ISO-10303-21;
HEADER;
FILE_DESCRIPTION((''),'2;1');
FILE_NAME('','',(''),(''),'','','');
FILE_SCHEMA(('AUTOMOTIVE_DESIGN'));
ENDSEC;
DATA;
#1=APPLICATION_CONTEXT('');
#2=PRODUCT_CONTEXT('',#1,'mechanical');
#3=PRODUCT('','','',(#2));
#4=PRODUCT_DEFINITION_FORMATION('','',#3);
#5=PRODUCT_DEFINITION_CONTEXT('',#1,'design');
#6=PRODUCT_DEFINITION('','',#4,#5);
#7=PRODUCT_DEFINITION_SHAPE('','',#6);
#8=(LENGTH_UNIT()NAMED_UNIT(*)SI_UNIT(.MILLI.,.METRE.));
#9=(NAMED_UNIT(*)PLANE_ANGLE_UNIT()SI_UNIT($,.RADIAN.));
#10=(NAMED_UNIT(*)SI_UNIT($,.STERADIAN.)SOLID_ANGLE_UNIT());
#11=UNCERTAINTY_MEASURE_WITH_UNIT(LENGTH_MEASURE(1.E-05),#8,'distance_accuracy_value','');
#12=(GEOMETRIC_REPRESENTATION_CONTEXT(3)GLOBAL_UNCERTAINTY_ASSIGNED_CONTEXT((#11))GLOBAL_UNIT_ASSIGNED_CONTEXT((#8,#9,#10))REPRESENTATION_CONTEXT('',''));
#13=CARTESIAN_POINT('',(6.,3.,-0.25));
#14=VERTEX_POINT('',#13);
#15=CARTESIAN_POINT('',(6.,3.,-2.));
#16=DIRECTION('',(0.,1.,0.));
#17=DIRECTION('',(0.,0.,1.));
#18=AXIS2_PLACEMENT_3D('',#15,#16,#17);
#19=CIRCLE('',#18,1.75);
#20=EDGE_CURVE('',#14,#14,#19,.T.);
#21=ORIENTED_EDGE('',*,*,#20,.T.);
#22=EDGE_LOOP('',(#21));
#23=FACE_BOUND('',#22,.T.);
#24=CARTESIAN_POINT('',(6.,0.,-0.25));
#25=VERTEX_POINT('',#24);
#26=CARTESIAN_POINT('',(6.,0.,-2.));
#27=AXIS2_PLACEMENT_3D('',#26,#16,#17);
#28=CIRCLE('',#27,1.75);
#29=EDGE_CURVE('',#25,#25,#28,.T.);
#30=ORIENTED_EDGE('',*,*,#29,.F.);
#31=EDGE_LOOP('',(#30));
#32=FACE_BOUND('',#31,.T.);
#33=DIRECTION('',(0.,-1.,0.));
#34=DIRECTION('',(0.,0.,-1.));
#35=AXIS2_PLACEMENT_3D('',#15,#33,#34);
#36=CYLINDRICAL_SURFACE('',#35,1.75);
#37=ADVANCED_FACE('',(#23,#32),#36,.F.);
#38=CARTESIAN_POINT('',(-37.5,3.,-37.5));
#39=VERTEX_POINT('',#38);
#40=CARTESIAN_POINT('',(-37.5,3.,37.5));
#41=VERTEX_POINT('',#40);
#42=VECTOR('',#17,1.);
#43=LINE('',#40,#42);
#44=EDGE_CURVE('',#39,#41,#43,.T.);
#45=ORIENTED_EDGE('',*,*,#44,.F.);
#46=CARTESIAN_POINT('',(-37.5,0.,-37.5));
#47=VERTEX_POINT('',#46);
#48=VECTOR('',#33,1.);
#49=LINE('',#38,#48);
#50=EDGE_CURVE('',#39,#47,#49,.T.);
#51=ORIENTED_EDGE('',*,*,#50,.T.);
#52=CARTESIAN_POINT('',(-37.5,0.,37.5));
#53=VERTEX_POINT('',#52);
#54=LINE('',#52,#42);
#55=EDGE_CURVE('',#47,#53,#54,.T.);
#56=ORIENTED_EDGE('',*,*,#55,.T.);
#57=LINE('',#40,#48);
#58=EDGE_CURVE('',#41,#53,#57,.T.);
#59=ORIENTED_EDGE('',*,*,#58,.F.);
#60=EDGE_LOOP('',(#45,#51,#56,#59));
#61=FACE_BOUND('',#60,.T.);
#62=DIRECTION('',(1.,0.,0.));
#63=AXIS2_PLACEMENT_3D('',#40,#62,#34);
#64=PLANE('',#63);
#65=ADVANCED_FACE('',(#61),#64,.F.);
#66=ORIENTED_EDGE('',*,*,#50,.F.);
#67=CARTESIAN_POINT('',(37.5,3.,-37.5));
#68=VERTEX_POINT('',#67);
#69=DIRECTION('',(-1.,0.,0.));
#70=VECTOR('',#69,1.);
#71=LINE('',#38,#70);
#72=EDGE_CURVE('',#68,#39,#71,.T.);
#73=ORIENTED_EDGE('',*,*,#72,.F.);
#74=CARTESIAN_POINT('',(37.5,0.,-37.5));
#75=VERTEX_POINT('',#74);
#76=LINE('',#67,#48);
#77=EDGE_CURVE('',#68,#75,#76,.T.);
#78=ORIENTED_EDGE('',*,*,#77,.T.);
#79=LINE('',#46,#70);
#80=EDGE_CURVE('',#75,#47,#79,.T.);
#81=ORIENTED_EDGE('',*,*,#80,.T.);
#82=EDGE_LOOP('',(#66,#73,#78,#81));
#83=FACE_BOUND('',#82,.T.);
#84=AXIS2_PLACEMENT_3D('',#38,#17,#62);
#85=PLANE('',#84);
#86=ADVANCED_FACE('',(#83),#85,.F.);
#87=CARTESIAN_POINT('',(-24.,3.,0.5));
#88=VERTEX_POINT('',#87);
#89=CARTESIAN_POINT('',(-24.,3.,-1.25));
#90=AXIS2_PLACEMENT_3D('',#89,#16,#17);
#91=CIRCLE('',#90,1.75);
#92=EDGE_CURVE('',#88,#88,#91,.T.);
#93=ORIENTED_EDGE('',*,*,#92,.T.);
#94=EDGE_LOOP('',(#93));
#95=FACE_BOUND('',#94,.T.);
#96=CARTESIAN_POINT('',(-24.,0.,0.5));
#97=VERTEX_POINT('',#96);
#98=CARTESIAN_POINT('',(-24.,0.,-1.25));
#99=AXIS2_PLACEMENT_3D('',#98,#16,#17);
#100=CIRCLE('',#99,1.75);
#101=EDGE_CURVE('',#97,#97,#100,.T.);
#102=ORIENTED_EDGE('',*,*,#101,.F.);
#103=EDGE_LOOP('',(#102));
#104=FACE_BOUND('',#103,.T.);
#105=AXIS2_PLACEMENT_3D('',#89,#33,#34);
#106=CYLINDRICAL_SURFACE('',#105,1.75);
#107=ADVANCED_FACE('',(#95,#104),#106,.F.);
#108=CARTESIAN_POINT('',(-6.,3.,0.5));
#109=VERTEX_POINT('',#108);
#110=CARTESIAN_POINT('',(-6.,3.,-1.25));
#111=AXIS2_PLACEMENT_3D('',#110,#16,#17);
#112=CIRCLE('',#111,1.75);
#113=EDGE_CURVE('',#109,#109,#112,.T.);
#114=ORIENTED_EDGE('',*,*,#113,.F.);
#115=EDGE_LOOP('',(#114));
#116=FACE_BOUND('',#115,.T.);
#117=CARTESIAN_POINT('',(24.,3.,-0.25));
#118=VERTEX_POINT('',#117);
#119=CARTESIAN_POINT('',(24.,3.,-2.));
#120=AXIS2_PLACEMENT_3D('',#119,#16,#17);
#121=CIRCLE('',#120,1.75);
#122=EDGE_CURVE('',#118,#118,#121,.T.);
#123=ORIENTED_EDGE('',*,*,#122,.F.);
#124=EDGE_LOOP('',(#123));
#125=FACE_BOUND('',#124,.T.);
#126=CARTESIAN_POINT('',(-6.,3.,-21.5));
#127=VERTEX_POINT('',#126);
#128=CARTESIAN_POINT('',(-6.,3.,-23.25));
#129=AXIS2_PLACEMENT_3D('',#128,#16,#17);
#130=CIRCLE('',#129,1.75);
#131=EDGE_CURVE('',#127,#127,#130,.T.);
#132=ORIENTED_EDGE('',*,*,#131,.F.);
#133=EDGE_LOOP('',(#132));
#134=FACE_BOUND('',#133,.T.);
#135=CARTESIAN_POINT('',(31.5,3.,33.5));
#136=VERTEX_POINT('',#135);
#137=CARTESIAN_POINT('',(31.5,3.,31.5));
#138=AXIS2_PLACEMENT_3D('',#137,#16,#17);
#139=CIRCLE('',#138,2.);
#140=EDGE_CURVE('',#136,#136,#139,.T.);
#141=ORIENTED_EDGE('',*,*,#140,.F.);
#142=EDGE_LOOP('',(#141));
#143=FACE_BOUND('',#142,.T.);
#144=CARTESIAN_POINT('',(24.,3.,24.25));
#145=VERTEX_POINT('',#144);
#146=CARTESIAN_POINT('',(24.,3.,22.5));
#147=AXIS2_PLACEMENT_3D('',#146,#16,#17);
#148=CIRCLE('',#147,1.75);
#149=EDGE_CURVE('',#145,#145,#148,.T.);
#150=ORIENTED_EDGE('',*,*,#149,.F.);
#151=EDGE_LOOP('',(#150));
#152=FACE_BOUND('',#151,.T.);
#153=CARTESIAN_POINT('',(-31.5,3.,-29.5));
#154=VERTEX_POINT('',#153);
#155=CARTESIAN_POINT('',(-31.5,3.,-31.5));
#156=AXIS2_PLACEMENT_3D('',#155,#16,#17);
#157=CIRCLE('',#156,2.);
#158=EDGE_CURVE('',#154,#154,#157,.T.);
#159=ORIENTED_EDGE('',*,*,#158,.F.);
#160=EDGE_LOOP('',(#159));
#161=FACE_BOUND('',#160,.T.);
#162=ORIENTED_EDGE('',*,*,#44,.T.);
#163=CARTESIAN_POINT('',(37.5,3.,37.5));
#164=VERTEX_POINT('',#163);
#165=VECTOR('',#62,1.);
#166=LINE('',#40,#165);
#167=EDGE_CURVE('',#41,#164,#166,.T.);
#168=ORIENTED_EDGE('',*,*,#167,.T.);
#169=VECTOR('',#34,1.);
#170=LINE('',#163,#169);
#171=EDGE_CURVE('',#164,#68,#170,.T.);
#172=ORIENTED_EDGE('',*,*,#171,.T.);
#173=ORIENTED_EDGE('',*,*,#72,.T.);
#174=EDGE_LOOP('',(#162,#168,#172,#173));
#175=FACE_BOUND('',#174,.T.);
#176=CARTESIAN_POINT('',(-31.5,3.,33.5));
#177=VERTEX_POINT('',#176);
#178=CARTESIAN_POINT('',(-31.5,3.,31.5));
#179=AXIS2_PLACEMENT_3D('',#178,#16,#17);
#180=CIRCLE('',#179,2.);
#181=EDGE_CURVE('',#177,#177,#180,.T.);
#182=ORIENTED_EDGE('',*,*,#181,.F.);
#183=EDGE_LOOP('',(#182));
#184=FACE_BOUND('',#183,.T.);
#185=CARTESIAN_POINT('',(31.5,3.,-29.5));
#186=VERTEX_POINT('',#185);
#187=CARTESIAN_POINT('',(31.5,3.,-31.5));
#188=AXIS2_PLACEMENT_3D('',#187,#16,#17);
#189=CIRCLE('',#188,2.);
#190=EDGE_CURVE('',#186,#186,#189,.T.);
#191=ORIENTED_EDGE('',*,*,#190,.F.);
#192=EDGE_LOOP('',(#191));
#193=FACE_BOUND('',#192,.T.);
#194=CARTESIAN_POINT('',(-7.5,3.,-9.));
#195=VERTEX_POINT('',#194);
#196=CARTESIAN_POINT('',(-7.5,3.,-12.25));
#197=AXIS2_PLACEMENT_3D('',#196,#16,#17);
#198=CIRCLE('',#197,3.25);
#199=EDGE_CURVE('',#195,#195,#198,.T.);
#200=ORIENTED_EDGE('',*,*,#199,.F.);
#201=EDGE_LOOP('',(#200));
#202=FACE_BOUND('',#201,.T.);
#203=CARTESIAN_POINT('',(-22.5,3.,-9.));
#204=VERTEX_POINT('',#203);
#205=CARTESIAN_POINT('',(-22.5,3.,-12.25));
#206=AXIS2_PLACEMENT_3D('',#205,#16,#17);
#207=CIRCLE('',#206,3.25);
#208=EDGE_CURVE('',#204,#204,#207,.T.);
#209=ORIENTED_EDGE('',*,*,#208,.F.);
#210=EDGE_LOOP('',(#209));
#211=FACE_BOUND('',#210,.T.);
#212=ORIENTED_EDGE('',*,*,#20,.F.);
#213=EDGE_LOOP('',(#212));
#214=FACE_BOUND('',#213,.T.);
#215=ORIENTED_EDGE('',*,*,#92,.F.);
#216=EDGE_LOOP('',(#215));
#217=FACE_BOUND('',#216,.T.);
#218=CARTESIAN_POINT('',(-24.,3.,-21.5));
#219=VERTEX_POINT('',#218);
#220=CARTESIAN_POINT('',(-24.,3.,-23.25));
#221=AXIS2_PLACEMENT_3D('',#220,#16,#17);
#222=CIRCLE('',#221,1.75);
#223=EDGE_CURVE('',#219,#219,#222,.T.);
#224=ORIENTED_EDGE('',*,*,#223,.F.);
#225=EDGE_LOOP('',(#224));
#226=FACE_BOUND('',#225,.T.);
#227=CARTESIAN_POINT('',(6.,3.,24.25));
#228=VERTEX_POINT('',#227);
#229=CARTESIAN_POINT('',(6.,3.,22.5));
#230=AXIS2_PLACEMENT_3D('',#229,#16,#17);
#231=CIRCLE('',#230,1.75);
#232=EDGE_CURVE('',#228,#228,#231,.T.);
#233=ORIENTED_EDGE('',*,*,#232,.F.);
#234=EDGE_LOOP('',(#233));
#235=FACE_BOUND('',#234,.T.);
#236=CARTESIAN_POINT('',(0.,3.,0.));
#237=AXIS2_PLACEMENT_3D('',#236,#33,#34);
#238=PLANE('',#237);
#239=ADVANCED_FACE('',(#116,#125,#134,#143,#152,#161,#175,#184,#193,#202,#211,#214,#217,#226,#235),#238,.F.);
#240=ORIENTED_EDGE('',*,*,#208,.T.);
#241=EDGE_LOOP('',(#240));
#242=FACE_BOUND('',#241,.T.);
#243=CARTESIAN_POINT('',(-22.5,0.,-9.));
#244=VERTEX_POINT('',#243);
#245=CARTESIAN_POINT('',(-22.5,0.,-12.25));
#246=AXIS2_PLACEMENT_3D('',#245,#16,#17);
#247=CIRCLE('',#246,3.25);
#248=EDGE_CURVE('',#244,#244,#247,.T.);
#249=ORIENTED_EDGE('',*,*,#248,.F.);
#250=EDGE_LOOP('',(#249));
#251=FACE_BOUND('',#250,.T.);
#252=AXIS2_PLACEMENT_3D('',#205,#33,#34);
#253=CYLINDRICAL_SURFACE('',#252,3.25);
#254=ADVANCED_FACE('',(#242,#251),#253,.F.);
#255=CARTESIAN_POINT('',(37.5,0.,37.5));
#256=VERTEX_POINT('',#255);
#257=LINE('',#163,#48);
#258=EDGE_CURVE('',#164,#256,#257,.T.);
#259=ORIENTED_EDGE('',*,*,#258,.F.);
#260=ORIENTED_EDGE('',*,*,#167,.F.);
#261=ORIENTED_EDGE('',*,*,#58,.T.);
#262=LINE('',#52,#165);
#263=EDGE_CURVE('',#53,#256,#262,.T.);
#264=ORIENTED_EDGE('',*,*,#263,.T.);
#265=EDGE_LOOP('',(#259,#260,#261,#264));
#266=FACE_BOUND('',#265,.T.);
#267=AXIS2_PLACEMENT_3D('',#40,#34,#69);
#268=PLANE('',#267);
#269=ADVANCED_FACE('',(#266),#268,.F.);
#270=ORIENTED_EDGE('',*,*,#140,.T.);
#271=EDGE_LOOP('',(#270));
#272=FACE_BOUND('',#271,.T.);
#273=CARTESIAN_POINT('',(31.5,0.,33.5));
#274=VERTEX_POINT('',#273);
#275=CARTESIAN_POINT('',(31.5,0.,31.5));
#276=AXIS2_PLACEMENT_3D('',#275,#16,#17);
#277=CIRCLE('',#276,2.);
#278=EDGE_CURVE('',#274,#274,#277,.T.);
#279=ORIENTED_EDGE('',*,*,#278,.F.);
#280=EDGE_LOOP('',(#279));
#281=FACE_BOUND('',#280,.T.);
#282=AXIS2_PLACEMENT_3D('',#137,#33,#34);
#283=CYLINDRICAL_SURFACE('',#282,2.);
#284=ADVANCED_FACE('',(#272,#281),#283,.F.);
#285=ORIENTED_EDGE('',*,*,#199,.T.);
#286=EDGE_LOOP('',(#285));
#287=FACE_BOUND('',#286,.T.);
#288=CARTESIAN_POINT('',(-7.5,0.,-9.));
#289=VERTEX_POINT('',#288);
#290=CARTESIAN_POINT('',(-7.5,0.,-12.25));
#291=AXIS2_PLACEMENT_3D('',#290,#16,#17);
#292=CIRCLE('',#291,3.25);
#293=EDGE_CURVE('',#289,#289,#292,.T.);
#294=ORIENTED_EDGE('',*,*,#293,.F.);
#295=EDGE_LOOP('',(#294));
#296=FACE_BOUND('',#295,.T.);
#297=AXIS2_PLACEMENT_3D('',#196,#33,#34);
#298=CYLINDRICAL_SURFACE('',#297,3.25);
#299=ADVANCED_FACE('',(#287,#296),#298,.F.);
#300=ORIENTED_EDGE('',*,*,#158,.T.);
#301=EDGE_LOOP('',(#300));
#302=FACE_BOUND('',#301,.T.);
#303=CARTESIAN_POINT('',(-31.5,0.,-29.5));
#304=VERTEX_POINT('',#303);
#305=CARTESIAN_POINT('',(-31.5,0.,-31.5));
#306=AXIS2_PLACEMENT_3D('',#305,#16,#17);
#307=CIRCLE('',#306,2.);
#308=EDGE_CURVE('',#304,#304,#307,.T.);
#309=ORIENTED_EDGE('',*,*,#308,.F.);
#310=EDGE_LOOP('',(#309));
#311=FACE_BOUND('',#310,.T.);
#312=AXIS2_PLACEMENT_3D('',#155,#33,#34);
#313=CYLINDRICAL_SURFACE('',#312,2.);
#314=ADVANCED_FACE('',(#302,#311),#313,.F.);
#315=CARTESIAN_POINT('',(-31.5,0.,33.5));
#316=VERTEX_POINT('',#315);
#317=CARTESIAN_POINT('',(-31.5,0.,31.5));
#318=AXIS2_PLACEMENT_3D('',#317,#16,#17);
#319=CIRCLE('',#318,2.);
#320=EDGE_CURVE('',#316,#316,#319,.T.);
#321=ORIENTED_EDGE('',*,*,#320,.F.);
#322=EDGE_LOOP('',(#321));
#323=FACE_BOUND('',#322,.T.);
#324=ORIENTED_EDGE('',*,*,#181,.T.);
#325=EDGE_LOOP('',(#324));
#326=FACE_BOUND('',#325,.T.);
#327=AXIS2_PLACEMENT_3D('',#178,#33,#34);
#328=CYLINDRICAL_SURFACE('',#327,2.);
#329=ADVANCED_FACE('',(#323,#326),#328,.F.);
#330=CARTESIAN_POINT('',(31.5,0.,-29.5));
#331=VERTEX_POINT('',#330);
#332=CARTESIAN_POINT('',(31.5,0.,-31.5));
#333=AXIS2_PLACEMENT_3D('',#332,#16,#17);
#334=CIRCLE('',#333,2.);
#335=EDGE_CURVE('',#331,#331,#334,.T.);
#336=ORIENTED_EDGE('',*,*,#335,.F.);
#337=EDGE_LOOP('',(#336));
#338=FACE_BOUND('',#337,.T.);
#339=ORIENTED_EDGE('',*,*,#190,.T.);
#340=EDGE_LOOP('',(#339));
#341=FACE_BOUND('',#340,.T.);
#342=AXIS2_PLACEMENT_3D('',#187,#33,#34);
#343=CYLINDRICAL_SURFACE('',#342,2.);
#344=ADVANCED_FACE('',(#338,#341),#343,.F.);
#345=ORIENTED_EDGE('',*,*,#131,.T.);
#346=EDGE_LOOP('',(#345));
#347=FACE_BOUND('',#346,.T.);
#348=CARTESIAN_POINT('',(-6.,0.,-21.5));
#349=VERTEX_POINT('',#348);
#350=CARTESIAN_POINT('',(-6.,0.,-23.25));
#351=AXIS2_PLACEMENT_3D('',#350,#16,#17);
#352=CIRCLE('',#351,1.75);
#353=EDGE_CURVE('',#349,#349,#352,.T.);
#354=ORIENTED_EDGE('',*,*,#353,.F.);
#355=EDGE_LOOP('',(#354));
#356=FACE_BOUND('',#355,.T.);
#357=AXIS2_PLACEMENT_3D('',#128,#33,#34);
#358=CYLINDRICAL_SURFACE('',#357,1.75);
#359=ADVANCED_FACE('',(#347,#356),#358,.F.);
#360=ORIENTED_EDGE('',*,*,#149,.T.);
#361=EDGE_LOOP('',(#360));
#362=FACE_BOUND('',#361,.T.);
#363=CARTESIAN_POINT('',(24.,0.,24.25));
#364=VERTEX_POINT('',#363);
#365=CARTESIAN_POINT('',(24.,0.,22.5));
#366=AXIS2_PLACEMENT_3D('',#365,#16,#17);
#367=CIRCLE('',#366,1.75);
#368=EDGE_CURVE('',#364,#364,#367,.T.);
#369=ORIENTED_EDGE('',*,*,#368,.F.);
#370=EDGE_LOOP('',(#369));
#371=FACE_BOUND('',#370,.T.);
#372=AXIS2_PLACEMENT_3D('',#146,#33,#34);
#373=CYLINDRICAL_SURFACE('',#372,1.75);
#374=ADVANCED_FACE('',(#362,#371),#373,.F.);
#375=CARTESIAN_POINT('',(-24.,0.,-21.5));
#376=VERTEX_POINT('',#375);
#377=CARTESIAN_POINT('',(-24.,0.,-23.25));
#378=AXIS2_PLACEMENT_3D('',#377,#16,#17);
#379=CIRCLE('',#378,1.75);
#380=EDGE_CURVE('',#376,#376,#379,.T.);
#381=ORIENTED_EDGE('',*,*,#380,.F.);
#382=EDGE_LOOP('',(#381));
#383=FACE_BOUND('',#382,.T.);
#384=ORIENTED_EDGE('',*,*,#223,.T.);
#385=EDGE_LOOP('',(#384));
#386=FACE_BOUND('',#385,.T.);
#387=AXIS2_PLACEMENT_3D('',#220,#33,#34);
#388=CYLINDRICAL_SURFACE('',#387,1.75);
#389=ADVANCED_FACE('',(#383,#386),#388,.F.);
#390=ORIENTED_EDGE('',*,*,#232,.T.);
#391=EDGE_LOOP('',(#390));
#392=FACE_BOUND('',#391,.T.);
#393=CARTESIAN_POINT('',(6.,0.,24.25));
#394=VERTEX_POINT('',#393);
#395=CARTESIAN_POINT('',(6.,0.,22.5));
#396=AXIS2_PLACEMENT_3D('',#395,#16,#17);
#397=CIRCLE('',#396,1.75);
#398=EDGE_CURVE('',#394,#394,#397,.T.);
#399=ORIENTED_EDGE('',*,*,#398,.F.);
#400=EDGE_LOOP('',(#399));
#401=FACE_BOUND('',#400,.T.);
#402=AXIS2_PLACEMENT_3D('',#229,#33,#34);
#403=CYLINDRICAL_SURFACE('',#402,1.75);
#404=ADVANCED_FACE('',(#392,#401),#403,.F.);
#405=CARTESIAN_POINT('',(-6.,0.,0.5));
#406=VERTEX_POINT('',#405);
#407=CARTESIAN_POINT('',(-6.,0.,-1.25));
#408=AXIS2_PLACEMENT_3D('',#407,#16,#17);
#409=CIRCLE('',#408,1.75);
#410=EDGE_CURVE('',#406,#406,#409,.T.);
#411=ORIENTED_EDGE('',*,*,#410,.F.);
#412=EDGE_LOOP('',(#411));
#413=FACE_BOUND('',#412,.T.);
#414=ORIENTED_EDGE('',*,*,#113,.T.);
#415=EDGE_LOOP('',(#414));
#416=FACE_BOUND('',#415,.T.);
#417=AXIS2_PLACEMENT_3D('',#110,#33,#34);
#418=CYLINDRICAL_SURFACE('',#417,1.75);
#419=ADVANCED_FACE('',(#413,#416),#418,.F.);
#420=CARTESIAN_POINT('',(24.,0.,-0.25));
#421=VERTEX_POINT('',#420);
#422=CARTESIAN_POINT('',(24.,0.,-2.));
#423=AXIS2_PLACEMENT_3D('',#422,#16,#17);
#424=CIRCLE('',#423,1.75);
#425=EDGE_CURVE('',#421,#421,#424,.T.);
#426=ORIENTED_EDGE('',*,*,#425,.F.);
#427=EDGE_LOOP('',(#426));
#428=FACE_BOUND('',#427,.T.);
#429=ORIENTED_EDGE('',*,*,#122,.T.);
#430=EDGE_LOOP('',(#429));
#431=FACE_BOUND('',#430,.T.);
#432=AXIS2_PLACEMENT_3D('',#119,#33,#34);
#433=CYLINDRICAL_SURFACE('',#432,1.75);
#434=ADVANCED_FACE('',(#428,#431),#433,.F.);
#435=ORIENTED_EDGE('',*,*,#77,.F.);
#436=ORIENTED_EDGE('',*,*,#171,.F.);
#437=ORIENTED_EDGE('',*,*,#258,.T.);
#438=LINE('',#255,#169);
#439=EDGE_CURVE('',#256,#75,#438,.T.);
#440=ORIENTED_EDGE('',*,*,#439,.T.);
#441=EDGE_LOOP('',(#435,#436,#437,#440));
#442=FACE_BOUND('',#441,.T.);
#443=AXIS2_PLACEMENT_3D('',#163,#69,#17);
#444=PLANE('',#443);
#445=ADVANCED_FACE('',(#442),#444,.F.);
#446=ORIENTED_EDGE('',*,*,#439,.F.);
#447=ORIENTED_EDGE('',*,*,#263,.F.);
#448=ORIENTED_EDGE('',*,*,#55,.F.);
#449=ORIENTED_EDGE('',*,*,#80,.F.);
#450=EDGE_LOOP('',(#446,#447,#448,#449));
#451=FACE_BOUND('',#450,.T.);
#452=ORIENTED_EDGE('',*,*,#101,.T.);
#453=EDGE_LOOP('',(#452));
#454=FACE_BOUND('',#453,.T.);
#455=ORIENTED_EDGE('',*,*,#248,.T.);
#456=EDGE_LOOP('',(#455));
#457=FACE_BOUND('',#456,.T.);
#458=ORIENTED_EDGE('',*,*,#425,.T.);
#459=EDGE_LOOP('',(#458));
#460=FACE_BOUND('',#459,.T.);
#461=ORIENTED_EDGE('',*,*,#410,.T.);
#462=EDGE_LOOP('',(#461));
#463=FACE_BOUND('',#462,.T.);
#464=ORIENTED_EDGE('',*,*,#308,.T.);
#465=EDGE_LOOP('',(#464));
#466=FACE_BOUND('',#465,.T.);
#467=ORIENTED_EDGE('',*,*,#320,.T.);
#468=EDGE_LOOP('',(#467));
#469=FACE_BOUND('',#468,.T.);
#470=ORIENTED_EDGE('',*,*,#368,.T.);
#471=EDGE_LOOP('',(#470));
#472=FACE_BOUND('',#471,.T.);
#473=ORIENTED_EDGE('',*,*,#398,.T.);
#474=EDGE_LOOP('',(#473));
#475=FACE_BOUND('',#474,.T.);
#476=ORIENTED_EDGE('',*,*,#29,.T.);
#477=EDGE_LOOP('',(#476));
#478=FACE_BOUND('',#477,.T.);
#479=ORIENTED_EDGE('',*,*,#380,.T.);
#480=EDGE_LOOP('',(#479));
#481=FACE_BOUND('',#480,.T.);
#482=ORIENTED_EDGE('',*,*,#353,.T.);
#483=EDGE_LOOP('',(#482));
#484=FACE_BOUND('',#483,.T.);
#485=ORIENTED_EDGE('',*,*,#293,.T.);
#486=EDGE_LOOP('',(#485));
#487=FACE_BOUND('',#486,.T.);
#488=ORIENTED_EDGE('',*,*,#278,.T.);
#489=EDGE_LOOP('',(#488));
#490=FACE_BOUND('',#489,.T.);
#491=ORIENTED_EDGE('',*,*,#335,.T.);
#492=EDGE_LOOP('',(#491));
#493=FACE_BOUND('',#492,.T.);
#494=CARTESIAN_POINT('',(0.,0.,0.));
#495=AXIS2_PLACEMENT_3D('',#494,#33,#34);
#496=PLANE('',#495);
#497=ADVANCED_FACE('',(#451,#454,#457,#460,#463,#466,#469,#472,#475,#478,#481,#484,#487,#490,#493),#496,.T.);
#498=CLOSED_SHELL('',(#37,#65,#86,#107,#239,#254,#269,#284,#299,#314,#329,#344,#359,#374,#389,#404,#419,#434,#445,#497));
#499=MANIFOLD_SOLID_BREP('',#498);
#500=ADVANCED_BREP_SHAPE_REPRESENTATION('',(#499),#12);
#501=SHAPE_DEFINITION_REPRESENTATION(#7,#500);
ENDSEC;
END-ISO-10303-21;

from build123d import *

# Parameters (mm, degrees)
SKETCH1_W           = 75
SKETCH1_H           = 75
SKETCH1_R           = 2
SKETCH1_R_2         = 3.25
SKETCH1_R_3         = 1.75
BOSS_EXTRUDE1_DEPTH = 3


with BuildPart() as part:
    # Sketch1 → Boss-Extrude1 (new body)
    with BuildSketch(Plane(origin=(0, 0, 0), x_dir=(1, 0, 0), z_dir=(0, 1, 0))):
        Rectangle(SKETCH1_W, SKETCH1_H)
        with Locations((31.5, 31.5)):
            Circle(SKETCH1_R, mode=Mode.SUBTRACT)
        with Locations((31.5, -31.5)):
            Circle(SKETCH1_R, mode=Mode.SUBTRACT)
        with Locations((-31.5, -31.5)):
            Circle(SKETCH1_R, mode=Mode.SUBTRACT)
        with Locations((-31.5, 31.5)):
            Circle(SKETCH1_R, mode=Mode.SUBTRACT)
        with Locations((-22.5, 12.25)):
            Circle(SKETCH1_R_2, mode=Mode.SUBTRACT)
        with Locations((-7.5, 12.25)):
            Circle(SKETCH1_R_2, mode=Mode.SUBTRACT)
        with Locations((-24, 23.25)):
            Circle(SKETCH1_R_3, mode=Mode.SUBTRACT)
        with Locations((-6, 23.25)):
            Circle(SKETCH1_R_3, mode=Mode.SUBTRACT)
        with Locations((-24, 1.25)):
            Circle(SKETCH1_R_3, mode=Mode.SUBTRACT)
        with Locations((-6, 1.25)):
            Circle(SKETCH1_R_3, mode=Mode.SUBTRACT)
        with Locations((6, -22.5)):
            Circle(SKETCH1_R_3, mode=Mode.SUBTRACT)
        with Locations((24, -22.5)):
            Circle(SKETCH1_R_3, mode=Mode.SUBTRACT)
        with Locations((24, 2)):
            Circle(SKETCH1_R_3, mode=Mode.SUBTRACT)
        with Locations((6, 2)):
            Circle(SKETCH1_R_3, mode=Mode.SUBTRACT)
    extrude(amount=BOSS_EXTRUDE1_DEPTH)


solid = part.part
